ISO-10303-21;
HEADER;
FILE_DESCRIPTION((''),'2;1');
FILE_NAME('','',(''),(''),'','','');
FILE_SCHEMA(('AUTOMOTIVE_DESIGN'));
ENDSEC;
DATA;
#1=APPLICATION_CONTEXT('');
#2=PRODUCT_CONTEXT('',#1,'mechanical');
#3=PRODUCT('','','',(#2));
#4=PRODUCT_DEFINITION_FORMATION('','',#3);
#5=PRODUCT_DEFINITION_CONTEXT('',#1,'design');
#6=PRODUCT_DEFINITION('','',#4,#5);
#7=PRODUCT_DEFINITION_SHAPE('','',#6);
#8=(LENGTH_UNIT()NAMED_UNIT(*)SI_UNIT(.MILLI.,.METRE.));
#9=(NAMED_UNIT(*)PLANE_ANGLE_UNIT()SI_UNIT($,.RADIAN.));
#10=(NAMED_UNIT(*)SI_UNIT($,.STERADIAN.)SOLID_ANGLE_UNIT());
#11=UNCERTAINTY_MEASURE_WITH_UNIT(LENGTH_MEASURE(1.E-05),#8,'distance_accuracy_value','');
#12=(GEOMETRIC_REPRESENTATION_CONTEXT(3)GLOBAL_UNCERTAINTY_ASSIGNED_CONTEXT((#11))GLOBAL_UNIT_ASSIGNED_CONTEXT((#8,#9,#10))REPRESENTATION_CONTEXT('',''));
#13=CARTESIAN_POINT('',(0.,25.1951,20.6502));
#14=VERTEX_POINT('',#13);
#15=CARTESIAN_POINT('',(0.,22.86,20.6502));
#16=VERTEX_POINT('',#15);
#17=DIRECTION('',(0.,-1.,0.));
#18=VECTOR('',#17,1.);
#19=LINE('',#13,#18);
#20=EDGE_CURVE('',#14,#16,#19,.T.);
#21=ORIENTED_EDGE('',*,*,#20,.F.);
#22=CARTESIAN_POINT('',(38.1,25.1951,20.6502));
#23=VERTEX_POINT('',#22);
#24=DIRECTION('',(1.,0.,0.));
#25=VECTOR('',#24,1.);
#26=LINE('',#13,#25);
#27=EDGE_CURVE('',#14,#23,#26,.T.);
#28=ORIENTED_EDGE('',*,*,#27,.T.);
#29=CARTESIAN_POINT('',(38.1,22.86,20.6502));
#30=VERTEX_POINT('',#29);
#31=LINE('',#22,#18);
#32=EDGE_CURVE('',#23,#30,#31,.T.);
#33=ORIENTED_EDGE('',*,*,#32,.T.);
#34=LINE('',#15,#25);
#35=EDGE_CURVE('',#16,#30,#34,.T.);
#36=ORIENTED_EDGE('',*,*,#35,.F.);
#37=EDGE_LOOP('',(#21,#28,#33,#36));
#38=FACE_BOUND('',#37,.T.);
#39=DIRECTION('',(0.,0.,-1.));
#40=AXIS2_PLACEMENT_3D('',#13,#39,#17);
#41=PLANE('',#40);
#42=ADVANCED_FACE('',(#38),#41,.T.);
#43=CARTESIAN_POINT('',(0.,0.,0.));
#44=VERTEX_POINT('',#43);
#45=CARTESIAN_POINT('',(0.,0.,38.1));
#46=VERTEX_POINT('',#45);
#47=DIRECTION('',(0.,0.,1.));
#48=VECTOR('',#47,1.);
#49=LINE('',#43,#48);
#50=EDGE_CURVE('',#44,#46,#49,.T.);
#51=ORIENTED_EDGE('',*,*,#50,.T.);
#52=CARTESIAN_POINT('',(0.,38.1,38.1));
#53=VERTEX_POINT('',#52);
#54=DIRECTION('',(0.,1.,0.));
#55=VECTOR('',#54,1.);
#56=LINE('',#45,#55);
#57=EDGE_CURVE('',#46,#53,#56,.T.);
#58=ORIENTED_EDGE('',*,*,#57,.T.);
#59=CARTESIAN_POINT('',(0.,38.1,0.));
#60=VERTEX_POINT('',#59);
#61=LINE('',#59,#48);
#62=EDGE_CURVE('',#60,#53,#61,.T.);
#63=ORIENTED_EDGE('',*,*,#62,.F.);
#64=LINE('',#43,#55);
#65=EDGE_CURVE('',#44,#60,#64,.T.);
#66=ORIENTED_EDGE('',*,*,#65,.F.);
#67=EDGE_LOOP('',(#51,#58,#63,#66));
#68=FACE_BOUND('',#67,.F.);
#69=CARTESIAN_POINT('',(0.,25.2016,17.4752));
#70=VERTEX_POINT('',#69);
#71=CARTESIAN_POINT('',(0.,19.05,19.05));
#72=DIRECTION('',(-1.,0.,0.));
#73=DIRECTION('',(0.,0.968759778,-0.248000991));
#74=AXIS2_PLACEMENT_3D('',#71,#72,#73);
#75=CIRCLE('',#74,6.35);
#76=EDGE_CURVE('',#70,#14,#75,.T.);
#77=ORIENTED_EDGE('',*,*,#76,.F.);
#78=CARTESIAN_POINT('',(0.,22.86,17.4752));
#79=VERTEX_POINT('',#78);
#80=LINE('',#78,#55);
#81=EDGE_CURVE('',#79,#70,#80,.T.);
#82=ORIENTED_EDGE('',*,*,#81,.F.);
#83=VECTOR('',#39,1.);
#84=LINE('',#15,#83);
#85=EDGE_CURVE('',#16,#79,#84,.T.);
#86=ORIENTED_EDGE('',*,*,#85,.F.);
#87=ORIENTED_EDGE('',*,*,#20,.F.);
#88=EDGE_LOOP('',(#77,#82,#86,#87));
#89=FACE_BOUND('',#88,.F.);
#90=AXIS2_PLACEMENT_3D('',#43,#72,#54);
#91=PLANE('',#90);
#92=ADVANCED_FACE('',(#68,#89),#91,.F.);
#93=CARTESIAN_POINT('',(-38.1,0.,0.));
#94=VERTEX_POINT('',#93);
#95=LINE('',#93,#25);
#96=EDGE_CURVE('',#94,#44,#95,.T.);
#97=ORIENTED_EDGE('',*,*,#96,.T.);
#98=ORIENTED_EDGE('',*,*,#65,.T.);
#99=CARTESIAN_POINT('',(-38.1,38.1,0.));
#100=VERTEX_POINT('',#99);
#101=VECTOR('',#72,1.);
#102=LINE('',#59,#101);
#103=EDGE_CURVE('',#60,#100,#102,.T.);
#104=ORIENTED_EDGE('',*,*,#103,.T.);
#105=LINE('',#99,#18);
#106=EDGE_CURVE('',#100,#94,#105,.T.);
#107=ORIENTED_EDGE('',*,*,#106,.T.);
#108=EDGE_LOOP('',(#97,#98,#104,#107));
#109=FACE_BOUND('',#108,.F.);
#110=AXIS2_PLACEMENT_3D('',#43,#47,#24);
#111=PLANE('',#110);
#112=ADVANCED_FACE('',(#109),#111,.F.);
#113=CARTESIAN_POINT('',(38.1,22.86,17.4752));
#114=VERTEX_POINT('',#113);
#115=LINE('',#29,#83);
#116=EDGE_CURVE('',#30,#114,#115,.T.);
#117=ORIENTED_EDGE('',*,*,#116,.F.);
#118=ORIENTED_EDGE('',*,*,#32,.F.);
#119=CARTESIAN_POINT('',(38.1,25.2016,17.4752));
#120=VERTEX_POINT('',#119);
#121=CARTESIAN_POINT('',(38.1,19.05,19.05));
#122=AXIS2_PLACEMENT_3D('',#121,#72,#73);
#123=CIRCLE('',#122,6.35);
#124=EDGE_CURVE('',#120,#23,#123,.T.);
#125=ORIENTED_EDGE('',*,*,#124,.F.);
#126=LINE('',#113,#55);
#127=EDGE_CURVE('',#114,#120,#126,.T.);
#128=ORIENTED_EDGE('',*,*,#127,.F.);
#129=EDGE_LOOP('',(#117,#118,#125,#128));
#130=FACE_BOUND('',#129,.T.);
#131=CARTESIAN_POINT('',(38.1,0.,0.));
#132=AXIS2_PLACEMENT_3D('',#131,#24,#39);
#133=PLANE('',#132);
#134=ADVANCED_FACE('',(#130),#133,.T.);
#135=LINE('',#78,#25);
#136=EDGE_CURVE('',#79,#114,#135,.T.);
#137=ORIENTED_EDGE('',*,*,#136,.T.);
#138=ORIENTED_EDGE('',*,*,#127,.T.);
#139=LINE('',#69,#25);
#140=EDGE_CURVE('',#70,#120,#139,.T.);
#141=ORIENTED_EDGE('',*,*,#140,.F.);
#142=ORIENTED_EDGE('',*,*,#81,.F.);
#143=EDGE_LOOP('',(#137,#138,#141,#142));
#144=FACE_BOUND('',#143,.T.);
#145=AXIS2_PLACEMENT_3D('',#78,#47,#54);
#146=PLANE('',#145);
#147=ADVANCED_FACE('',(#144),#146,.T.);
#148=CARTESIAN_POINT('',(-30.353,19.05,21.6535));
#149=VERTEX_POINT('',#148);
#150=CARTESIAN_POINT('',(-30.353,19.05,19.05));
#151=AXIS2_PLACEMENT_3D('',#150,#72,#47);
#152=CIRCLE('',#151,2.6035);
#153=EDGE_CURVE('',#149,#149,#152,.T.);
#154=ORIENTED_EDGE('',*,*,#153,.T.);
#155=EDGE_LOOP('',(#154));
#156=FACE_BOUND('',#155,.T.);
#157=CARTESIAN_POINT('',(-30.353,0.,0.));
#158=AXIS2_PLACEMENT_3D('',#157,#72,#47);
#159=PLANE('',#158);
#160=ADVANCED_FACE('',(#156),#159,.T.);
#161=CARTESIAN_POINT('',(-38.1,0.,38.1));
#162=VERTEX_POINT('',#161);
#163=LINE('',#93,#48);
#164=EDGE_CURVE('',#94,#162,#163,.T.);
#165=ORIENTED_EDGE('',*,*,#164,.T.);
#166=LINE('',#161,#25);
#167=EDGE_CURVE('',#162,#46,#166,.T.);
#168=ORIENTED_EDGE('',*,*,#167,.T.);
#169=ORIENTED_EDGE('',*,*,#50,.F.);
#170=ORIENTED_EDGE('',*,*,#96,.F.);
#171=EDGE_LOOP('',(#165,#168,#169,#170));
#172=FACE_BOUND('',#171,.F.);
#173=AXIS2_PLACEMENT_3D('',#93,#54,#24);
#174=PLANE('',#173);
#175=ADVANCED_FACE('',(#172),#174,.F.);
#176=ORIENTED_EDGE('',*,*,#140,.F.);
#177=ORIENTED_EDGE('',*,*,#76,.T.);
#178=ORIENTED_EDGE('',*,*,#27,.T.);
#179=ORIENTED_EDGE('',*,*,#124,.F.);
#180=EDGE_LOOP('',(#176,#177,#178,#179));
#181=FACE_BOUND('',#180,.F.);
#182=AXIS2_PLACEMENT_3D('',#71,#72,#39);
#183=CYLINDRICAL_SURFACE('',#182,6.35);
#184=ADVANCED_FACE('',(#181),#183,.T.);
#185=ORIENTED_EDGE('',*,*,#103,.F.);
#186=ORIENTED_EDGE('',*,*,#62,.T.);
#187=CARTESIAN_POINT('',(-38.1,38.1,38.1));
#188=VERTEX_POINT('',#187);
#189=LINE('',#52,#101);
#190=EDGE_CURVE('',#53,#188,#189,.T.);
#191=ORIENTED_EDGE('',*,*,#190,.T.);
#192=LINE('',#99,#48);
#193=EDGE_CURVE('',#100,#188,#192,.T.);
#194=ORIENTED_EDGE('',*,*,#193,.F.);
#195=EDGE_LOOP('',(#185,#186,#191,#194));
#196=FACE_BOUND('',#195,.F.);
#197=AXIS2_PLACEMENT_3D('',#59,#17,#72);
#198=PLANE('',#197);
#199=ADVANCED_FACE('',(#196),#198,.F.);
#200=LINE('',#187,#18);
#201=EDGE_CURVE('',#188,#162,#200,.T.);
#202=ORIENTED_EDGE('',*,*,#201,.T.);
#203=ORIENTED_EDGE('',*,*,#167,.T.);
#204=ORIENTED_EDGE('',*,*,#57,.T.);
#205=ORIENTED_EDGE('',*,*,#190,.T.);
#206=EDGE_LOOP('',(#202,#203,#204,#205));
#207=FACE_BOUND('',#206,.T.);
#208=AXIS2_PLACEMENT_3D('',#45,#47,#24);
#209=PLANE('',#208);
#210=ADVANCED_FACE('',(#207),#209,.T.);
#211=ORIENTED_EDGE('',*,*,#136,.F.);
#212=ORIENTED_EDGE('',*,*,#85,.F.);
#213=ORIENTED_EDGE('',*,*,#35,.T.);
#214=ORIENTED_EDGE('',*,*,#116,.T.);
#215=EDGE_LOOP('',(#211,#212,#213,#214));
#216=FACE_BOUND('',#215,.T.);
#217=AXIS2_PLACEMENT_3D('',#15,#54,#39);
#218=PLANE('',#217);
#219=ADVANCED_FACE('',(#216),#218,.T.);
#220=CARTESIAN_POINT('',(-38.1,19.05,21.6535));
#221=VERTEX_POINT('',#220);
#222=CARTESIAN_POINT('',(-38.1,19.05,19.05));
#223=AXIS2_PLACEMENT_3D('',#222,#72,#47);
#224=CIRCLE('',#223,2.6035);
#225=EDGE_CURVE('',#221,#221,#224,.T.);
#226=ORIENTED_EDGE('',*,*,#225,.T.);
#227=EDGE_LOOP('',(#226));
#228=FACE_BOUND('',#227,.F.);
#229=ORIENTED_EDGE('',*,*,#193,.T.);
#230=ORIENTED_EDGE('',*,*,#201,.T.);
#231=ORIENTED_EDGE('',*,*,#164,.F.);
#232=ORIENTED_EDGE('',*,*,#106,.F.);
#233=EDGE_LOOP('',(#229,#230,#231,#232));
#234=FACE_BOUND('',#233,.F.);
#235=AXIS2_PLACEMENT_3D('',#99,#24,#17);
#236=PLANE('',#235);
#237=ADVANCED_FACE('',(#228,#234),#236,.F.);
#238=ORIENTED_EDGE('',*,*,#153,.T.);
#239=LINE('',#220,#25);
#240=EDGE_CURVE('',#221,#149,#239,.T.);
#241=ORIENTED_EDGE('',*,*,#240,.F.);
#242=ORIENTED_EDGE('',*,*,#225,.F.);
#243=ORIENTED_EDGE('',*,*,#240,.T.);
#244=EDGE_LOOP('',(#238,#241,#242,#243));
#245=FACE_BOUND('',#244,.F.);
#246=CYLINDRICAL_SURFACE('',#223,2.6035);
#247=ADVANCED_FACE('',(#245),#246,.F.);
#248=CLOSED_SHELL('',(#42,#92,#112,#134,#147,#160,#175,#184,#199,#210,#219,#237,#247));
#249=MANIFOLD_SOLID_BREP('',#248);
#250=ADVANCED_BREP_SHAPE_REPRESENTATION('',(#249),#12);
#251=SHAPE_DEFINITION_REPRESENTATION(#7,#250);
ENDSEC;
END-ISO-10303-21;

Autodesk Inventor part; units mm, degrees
ref_plane "YZ Plane" through (0, 0, 0) normal (1, 0, 0) x (0, 1, 0)
ref_plane "XZ Plane" through (0, 0, 0) normal (0, 1, 0) x (-1, 0, 0)
ref_plane "XY Plane" through (0, 0, 0) normal (0, 0, 1) x (1, 0, 0)
sketch "Sketch1" plane through (0, 0, 0) normal (0, 0, 1) x (1, 0, 0)
  line L0 (-38.1, 0) -> (0, 0)
  line L1 (0, 0) -> (0, 38.1)
  line L2 (0, 38.1) -> (-38.1, 38.1)
  line L3 (-38.1, 38.1) -> (-38.1, 0)
  dimension "d0" = 38.1
  dimension "d1" = 38.1
extrude "Extrusion1" add sketch "Sketch1" along normal blind 38.1
sketch "Sketch2" plane through (0, 0, 0) normal (1, 0, 0) x (0, 0, -1)
  line L0 (-38.1, 38.1) -> (-38.1, 0) projected
  line L1 (0, 0) -> (-38.1, 0) projected
  line L2 (0, 0) -> (0, 38.1) projected
  line L3 (0, 38.1) -> (-38.1, 38.1) projected
  line L4 (-38.1, 38.1) -> (-38.1, 0) projected
  line L5 (0, 0) -> (-38.1, 0) projected
  line L6 (0, 0) -> (0, 38.1) projected
  line L7 (0, 38.1) -> (-38.1, 38.1) projected
  circle A0 centre (-19.05, 19.05) radius 6.35
  dimension "d4" = 19.05
  dimension "d5" = 12.7
sketch "Sketch3" plane through (0, 0, 0) normal (1, 0, 0) x (0, 0, -1)
  line L0 (0, 38.1) -> (-38.1, 38.1) projected
  circle A0 centre (-19.05, 19.05) radius 6.35 projected
  line L1 (-20.6502, 25.1951) -> (-20.6502, 22.86)
  line L2 (-20.6502, 22.86) -> (-17.4752, 22.86)
  line L3 (-17.4752, 22.86) -> (-17.4752, 25.2016)
  point P0 (-19.05, 25.4)
  dimension "d6" = 1.6002
  dimension "d7" = 3.175
  dimension "d8" = 1.6002
  dimension "d9" = 2.54
extrude "Extrusion2" add sketch "Sketch3" along normal blind 38.1 contours A0 L1 L2 L3 picked at (-18.8789, 19.481)
sketch "Sketch4" plane through (-38.1, 0, 0) normal (-1, 0, 0) x (0, 0, 1)
  line L0 (38.1, 0) -> (38.1, 38.1) projected
  line L1 (0, 0) -> (38.1, 0) projected
  circle A0 centre (19.05, 19.05) radius 2.6035
  dimension "d12" = 19.05
  dimension "d13" = 19.05
  dimension "d14" = 5.207
extrude "Extrusion3" cut sketch "Sketch4" against normal blind 7.747
properties part number "BaneBots P60 4 to1 gearbox"
